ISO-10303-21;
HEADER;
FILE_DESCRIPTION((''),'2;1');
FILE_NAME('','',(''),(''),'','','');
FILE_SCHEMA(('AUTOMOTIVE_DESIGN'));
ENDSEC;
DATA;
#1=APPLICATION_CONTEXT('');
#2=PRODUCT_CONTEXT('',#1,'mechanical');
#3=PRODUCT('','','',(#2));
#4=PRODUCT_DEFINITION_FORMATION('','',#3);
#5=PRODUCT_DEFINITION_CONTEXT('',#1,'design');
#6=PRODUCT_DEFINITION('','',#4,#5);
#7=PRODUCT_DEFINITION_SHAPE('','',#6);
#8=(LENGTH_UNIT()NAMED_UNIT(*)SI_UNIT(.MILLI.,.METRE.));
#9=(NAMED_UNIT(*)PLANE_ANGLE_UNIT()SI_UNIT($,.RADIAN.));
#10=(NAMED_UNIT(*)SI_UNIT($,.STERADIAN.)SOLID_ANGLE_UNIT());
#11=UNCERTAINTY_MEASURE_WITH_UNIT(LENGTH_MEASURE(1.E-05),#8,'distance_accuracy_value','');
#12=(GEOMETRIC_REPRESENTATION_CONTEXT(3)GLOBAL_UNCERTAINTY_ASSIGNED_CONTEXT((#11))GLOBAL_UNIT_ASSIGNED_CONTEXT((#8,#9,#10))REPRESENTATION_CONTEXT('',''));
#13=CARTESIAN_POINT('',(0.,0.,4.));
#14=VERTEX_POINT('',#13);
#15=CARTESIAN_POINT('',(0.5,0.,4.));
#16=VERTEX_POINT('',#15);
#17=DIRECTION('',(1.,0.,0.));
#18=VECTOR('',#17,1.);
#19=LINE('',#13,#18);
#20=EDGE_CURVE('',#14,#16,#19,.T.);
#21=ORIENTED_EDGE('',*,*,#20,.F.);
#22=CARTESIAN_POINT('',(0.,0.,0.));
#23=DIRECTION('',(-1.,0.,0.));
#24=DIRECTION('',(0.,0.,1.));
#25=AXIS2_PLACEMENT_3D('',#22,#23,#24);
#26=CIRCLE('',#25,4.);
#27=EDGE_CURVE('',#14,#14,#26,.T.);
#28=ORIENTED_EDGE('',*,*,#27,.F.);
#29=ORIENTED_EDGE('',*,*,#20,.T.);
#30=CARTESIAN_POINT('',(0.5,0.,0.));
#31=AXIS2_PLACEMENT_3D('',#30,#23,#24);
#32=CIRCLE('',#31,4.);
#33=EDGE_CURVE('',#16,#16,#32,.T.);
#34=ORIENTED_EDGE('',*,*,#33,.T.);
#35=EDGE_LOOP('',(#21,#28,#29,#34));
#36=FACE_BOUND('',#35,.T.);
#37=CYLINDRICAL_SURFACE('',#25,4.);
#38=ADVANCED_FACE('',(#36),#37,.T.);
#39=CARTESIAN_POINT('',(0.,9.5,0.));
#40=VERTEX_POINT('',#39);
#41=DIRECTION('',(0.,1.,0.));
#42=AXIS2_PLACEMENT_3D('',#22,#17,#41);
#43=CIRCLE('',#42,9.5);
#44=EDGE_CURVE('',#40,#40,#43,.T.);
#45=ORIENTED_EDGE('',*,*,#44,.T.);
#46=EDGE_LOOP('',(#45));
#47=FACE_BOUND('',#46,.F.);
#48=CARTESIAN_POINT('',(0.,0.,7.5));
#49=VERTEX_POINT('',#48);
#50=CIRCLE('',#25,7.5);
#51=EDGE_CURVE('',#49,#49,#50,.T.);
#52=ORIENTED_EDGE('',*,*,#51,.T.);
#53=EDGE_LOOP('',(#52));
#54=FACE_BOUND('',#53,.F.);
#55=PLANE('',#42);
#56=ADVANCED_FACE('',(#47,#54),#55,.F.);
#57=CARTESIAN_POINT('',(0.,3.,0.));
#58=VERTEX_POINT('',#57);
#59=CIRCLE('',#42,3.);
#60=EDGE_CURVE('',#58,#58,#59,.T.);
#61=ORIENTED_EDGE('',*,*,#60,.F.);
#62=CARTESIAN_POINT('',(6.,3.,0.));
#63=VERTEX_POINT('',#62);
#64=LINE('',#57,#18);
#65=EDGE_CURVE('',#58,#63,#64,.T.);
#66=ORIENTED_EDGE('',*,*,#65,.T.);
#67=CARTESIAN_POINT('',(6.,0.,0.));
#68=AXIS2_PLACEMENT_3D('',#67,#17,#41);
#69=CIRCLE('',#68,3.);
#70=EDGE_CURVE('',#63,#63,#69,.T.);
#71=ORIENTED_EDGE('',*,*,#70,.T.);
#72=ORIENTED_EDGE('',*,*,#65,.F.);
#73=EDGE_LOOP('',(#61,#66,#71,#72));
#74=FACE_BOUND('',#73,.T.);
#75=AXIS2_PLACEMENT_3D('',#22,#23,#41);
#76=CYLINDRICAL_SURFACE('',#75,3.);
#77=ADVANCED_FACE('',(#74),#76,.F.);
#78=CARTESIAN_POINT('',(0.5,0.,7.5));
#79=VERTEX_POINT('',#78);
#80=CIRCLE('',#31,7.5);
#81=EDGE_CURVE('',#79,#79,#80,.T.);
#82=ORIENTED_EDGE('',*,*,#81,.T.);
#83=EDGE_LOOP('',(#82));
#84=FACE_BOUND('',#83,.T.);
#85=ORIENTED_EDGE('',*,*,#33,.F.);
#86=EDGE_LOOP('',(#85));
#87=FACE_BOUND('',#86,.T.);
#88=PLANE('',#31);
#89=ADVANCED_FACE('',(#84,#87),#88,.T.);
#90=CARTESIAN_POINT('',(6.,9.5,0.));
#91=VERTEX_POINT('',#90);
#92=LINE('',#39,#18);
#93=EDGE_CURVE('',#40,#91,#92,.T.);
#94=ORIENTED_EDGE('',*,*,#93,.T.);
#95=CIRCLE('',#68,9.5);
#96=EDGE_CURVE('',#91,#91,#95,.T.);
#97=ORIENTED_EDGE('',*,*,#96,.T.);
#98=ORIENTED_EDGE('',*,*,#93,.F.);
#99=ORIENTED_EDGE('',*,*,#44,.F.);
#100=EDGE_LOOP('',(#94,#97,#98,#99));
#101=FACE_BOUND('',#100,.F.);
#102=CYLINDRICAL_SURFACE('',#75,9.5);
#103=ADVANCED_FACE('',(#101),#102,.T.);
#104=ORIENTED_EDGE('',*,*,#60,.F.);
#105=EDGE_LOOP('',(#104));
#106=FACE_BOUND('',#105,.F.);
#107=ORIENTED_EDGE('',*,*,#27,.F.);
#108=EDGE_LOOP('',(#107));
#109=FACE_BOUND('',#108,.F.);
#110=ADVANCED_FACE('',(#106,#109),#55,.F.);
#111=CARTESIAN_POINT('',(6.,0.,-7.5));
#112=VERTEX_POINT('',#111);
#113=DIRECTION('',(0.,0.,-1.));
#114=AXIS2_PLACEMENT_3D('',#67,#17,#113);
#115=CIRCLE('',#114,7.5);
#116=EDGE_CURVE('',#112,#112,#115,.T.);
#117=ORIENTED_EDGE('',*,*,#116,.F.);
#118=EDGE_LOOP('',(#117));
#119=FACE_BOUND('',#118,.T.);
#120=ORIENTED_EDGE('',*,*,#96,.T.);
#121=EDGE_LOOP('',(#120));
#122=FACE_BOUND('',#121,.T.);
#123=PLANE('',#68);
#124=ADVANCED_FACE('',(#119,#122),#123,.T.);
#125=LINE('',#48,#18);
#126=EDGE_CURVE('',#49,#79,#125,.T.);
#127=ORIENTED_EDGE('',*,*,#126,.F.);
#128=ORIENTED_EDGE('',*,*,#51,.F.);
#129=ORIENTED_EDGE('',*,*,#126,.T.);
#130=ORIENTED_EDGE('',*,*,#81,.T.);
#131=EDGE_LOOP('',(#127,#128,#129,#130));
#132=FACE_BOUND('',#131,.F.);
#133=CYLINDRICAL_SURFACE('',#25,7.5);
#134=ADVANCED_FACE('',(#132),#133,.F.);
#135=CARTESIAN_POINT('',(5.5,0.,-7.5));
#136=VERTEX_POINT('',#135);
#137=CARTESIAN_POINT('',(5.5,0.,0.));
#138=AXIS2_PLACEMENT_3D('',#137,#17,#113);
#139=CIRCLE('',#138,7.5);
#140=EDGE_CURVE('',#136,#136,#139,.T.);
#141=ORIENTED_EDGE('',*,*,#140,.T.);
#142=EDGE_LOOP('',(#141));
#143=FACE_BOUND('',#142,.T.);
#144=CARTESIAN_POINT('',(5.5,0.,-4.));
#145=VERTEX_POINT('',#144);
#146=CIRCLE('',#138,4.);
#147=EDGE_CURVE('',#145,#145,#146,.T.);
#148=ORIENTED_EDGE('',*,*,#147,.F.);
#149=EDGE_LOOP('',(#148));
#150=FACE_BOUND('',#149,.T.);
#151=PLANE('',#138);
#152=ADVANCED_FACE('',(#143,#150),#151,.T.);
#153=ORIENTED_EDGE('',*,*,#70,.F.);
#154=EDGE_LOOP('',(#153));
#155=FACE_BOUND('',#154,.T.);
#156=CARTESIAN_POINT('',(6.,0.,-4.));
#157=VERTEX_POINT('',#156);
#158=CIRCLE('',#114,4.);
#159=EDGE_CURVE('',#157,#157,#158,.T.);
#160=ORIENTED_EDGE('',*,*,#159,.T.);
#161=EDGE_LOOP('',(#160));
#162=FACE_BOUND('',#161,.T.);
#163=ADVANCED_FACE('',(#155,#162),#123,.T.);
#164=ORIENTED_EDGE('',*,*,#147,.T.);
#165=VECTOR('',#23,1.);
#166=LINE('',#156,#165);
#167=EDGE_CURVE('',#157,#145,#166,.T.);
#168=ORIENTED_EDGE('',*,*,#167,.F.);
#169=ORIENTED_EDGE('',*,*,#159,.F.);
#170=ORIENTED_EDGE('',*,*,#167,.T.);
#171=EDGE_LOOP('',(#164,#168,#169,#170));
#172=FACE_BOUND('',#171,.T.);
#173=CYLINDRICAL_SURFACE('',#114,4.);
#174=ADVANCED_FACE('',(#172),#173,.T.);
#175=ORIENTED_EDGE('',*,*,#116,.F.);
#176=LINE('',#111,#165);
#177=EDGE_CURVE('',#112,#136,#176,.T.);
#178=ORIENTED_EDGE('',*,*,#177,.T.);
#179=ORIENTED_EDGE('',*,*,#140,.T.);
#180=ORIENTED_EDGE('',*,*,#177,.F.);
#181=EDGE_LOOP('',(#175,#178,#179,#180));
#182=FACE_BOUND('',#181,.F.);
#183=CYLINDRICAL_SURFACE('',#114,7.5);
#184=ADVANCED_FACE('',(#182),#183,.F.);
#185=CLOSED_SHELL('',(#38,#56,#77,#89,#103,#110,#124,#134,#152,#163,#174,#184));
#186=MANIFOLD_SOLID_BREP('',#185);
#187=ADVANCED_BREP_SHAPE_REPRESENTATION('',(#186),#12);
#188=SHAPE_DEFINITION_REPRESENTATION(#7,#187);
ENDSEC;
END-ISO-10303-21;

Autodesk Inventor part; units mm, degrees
ref_plane "YZ Plane" through (0, 0, 0) normal (1, 0, 0) x (0, 1, 0)
ref_plane "XZ Plane" through (0, 0, 0) normal (0, 1, 0) x (-1, 0, 0)
ref_plane "XY Plane" through (0, 0, 0) normal (0, 0, 1) x (1, 0, 0)
sketch "スケッチ1" plane through (0, 0, 0) normal (1, 0, 0) x (0, 1, 0)
  circle A0 centre (0, 0) radius 3
  circle A1 centre (0, 0) radius 9.5
  dimension "d0" = 6
  dimension "d1" = 19
extrude "押し出し1" add sketch "スケッチ1" along normal blind 6
sketch "スケッチ2" plane through (6, 0, 0) normal (1, 0, 0) x (0, 0, -1)
  circle A0 centre (0, 0) radius 4
  circle A1 centre (0, 0) radius 7.5
  dimension "d4" = 8
  dimension "d5" = 15
extrude "押し出し2" cut sketch "スケッチ2" against normal blind 0.5
sketch "スケッチ3" plane through (0, 0, 0) normal (-1, 0, 0) x (0, 0, 1)
  circle A0 centre (0, 0) radius 4
  circle A1 centre (0, 0) radius 7.5
  dimension "d8" = 8
  dimension "d9" = 15
extrude "押し出し3" cut sketch "スケッチ3" against normal blind 0.5
properties part number "Bearing_626ZZ" material "ステンレス鋼"
